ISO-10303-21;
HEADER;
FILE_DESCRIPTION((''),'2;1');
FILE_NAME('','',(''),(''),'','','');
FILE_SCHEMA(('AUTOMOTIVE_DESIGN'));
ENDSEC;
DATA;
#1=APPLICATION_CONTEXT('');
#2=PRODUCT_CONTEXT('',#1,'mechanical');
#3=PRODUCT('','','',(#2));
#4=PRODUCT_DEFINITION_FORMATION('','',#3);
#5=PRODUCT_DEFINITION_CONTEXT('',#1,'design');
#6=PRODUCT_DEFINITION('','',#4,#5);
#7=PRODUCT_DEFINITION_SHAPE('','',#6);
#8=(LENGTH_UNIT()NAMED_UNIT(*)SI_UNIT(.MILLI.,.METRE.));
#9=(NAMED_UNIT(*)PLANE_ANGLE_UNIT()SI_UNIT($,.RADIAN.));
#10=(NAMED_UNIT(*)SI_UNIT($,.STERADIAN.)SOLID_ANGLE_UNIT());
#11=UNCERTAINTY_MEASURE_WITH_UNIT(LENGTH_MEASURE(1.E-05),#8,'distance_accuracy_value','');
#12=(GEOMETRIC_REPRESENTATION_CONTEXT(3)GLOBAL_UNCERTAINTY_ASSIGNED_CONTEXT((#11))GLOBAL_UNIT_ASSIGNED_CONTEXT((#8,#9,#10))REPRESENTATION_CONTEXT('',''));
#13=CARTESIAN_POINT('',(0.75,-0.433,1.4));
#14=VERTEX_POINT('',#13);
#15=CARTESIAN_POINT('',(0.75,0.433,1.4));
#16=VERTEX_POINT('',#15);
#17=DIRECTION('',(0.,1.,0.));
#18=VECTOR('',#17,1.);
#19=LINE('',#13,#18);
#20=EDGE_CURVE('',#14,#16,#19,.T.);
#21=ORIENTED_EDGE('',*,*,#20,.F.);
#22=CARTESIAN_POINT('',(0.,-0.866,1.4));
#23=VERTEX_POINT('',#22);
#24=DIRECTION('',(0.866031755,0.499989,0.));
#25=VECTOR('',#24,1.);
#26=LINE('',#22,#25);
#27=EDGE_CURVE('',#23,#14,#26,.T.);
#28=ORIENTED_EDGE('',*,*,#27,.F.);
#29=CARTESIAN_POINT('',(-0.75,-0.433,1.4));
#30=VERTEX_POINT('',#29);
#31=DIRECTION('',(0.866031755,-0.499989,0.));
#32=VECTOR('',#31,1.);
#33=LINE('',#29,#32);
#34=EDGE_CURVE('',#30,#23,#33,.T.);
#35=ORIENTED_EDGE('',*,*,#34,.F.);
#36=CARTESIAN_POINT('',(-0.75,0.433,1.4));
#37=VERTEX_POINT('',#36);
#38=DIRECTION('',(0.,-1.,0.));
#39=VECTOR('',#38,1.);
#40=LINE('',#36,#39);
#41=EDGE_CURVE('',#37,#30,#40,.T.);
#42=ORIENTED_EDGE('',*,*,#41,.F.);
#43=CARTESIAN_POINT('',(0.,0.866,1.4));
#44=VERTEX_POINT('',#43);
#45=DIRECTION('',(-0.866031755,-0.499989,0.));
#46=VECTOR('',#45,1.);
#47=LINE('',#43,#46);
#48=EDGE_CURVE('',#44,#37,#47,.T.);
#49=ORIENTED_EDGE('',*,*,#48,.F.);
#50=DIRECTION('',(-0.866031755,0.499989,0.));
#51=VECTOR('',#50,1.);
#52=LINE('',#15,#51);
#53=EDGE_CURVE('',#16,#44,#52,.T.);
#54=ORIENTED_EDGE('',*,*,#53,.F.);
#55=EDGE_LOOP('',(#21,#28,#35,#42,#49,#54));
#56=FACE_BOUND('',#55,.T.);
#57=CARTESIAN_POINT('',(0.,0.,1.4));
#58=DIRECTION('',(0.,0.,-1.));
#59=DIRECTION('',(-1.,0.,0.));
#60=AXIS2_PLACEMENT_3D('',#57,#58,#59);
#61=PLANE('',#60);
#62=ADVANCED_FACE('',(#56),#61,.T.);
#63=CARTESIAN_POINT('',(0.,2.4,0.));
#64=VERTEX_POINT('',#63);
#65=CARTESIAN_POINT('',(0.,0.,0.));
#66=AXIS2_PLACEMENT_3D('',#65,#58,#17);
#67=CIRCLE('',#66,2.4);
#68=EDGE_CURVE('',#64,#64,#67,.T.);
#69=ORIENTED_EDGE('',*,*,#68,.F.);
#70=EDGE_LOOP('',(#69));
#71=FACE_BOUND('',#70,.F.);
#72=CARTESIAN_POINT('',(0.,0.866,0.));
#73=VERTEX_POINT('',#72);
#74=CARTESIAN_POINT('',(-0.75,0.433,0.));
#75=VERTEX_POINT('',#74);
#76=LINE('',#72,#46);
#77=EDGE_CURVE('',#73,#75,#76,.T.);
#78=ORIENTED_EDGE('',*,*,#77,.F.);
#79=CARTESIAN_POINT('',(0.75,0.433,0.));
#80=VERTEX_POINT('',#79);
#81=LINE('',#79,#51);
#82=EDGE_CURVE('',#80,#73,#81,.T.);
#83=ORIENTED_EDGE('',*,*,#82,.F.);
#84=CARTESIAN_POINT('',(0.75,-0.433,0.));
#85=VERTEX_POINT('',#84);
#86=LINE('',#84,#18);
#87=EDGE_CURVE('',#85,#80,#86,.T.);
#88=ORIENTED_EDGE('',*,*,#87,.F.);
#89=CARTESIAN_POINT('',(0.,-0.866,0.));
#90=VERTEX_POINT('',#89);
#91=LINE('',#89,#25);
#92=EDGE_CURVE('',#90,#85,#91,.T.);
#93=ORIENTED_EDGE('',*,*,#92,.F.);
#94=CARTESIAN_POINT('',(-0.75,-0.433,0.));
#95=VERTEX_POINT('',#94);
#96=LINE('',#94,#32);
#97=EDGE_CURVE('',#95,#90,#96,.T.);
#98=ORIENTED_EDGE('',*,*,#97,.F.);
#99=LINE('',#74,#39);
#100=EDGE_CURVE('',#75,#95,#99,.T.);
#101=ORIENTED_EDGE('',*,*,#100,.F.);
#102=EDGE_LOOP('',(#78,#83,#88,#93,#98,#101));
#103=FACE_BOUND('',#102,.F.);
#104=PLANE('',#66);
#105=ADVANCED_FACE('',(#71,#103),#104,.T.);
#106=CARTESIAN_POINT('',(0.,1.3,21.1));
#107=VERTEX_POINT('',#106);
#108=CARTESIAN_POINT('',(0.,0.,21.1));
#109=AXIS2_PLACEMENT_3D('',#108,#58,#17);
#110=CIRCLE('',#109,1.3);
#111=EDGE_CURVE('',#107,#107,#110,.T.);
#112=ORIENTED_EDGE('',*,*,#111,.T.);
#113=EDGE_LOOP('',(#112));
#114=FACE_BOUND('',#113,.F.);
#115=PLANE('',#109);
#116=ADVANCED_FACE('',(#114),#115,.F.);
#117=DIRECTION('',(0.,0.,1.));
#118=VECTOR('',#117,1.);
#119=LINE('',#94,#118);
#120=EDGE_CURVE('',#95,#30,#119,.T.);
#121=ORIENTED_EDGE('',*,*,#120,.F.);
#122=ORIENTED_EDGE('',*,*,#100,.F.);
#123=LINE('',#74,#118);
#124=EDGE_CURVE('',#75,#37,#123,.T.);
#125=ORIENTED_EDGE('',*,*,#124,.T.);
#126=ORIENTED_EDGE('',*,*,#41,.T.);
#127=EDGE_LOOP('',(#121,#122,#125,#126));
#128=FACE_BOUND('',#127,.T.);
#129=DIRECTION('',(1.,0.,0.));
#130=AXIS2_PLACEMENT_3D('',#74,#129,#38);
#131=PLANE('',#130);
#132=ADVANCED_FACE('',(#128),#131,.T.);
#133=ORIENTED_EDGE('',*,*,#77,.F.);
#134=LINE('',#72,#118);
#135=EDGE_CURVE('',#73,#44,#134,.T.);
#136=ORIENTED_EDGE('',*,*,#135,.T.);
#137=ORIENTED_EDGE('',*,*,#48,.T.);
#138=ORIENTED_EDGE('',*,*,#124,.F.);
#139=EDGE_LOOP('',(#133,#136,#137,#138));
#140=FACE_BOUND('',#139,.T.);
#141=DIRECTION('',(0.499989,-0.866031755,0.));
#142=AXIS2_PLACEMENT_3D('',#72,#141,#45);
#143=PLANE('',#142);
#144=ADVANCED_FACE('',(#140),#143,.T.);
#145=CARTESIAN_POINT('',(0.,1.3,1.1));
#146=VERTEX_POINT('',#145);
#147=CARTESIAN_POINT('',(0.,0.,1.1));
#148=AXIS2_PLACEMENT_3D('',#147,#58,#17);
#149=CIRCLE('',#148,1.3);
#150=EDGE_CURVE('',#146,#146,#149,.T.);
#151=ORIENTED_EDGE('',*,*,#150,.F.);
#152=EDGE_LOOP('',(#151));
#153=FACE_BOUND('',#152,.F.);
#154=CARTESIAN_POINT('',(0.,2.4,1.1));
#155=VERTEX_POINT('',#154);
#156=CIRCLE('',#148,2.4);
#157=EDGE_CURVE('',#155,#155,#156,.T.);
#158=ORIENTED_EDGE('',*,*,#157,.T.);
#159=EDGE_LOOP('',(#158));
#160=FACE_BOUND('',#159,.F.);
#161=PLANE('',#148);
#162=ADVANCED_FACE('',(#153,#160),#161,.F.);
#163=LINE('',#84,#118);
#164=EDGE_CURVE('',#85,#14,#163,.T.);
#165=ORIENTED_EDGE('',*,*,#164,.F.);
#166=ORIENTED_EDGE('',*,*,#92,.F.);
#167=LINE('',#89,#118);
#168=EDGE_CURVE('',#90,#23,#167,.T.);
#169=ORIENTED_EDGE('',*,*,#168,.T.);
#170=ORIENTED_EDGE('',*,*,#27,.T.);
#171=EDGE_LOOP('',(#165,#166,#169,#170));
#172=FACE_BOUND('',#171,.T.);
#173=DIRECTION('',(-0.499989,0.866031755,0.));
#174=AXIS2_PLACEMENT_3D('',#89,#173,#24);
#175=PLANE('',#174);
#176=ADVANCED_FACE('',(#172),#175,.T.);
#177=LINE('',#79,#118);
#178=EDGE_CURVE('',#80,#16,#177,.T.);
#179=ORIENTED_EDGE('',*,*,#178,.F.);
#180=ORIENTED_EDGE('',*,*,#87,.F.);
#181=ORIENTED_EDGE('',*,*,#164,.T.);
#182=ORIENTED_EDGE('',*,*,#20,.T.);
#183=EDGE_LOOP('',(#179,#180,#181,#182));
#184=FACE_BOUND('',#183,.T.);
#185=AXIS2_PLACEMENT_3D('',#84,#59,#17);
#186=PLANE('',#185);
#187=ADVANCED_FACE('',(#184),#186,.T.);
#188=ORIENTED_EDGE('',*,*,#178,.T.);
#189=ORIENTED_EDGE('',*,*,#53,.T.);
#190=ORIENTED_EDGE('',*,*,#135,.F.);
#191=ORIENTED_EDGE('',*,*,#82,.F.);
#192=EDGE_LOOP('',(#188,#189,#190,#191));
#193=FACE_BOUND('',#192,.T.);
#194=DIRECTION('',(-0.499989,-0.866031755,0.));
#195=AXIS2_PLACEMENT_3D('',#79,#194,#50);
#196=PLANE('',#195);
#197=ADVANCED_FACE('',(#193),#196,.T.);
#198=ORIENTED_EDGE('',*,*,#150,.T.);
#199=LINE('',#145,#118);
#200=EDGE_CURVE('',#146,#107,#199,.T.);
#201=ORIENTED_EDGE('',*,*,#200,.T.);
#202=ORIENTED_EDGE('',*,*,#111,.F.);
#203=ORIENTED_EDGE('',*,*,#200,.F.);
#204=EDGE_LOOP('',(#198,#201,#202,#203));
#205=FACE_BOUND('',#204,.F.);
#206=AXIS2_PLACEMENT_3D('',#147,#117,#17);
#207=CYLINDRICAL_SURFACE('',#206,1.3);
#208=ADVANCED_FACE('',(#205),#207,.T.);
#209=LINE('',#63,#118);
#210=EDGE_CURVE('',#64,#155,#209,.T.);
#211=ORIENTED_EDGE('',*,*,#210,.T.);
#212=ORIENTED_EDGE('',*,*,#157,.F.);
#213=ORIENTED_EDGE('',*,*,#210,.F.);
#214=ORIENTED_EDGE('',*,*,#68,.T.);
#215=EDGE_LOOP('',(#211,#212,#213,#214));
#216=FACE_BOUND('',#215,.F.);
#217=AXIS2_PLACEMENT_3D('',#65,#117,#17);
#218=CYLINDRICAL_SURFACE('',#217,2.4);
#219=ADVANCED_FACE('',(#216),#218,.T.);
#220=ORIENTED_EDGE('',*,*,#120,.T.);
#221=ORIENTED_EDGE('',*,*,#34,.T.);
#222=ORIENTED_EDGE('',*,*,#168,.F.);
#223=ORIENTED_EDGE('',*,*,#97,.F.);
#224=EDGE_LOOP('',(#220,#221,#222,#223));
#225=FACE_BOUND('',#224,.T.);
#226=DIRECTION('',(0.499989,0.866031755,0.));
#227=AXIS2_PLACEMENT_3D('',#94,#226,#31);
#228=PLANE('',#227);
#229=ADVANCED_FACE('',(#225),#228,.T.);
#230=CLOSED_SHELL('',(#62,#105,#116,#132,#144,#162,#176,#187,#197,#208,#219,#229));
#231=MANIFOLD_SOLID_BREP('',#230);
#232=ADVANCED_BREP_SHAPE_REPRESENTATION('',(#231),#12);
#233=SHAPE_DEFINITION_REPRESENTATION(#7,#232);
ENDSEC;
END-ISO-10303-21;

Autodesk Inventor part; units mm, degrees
ref_plane "YZ Plane" through (0, 0, 0) normal (1, 0, 0) x (0, 1, 0)
ref_plane "XZ Plane" through (0, 0, 0) normal (0, 1, 0) x (-1, 0, 0)
ref_plane "XY Plane" through (0, 0, 0) normal (0, 0, 1) x (1, 0, 0)
sketch "スケッチ1" plane through (0, 0, 0) normal (1, 0, 0) x (0, 1, 0)
  line L0 (0, 21.1) -> (0, 0)
  line L1 (0, 0) -> (2.4, 0)
  line L2 (2.4, 0) -> (2.4, 1.1)
  line L3 (2.4, 1.1) -> (1.3, 1.1)
  line L4 (1.3, 1.1) -> (1.3, 21.1)
  line L5 (1.3, 21.1) -> (0, 21.1)
  dimension "d1" = 1.3
  dimension "d2" = 1.1
  dimension "d3" = 2.4
  dimension "d10" = 20
revolve "回転1" add sketch "スケッチ1" angle 360 about axis through (0, 0, 21.1) along (0, 0, -1)
thread "ねじ1" size "M2.6x0.45" class "6g" standard "ANSI Metric M Profile" full length
sketch "スケッチ2" plane through (0, 0, 0) normal (0, 0, -1) x (-1, 0, 0)
  line L0 (0, 0.866) -> (0.75, 0.433)
  line L1 (0.75, 0.433) -> (0.75, -0.433)
  line L2 (0.75, -0.433) -> (0, -0.866)
  line L3 (0, -0.866) -> (-0.75, -0.433)
  line L4 (-0.75, -0.433) -> (-0.75, 0.433)
  line L5 (-0.75, 0.433) -> (0, 0.866)
  circle A0 centre (0, 0) radius 2.4 projected
  line L6 (0, 2.4) -> (0, -2.4) construction
  point P0 (0, 0)
  dimension "d7" = 1.5
extrude "押し出し1" cut sketch "スケッチ2" against normal blind 1.4 contours L0 L1 L2 L3 L4 L5
properties part number "M2_6-20" material "チタン"
